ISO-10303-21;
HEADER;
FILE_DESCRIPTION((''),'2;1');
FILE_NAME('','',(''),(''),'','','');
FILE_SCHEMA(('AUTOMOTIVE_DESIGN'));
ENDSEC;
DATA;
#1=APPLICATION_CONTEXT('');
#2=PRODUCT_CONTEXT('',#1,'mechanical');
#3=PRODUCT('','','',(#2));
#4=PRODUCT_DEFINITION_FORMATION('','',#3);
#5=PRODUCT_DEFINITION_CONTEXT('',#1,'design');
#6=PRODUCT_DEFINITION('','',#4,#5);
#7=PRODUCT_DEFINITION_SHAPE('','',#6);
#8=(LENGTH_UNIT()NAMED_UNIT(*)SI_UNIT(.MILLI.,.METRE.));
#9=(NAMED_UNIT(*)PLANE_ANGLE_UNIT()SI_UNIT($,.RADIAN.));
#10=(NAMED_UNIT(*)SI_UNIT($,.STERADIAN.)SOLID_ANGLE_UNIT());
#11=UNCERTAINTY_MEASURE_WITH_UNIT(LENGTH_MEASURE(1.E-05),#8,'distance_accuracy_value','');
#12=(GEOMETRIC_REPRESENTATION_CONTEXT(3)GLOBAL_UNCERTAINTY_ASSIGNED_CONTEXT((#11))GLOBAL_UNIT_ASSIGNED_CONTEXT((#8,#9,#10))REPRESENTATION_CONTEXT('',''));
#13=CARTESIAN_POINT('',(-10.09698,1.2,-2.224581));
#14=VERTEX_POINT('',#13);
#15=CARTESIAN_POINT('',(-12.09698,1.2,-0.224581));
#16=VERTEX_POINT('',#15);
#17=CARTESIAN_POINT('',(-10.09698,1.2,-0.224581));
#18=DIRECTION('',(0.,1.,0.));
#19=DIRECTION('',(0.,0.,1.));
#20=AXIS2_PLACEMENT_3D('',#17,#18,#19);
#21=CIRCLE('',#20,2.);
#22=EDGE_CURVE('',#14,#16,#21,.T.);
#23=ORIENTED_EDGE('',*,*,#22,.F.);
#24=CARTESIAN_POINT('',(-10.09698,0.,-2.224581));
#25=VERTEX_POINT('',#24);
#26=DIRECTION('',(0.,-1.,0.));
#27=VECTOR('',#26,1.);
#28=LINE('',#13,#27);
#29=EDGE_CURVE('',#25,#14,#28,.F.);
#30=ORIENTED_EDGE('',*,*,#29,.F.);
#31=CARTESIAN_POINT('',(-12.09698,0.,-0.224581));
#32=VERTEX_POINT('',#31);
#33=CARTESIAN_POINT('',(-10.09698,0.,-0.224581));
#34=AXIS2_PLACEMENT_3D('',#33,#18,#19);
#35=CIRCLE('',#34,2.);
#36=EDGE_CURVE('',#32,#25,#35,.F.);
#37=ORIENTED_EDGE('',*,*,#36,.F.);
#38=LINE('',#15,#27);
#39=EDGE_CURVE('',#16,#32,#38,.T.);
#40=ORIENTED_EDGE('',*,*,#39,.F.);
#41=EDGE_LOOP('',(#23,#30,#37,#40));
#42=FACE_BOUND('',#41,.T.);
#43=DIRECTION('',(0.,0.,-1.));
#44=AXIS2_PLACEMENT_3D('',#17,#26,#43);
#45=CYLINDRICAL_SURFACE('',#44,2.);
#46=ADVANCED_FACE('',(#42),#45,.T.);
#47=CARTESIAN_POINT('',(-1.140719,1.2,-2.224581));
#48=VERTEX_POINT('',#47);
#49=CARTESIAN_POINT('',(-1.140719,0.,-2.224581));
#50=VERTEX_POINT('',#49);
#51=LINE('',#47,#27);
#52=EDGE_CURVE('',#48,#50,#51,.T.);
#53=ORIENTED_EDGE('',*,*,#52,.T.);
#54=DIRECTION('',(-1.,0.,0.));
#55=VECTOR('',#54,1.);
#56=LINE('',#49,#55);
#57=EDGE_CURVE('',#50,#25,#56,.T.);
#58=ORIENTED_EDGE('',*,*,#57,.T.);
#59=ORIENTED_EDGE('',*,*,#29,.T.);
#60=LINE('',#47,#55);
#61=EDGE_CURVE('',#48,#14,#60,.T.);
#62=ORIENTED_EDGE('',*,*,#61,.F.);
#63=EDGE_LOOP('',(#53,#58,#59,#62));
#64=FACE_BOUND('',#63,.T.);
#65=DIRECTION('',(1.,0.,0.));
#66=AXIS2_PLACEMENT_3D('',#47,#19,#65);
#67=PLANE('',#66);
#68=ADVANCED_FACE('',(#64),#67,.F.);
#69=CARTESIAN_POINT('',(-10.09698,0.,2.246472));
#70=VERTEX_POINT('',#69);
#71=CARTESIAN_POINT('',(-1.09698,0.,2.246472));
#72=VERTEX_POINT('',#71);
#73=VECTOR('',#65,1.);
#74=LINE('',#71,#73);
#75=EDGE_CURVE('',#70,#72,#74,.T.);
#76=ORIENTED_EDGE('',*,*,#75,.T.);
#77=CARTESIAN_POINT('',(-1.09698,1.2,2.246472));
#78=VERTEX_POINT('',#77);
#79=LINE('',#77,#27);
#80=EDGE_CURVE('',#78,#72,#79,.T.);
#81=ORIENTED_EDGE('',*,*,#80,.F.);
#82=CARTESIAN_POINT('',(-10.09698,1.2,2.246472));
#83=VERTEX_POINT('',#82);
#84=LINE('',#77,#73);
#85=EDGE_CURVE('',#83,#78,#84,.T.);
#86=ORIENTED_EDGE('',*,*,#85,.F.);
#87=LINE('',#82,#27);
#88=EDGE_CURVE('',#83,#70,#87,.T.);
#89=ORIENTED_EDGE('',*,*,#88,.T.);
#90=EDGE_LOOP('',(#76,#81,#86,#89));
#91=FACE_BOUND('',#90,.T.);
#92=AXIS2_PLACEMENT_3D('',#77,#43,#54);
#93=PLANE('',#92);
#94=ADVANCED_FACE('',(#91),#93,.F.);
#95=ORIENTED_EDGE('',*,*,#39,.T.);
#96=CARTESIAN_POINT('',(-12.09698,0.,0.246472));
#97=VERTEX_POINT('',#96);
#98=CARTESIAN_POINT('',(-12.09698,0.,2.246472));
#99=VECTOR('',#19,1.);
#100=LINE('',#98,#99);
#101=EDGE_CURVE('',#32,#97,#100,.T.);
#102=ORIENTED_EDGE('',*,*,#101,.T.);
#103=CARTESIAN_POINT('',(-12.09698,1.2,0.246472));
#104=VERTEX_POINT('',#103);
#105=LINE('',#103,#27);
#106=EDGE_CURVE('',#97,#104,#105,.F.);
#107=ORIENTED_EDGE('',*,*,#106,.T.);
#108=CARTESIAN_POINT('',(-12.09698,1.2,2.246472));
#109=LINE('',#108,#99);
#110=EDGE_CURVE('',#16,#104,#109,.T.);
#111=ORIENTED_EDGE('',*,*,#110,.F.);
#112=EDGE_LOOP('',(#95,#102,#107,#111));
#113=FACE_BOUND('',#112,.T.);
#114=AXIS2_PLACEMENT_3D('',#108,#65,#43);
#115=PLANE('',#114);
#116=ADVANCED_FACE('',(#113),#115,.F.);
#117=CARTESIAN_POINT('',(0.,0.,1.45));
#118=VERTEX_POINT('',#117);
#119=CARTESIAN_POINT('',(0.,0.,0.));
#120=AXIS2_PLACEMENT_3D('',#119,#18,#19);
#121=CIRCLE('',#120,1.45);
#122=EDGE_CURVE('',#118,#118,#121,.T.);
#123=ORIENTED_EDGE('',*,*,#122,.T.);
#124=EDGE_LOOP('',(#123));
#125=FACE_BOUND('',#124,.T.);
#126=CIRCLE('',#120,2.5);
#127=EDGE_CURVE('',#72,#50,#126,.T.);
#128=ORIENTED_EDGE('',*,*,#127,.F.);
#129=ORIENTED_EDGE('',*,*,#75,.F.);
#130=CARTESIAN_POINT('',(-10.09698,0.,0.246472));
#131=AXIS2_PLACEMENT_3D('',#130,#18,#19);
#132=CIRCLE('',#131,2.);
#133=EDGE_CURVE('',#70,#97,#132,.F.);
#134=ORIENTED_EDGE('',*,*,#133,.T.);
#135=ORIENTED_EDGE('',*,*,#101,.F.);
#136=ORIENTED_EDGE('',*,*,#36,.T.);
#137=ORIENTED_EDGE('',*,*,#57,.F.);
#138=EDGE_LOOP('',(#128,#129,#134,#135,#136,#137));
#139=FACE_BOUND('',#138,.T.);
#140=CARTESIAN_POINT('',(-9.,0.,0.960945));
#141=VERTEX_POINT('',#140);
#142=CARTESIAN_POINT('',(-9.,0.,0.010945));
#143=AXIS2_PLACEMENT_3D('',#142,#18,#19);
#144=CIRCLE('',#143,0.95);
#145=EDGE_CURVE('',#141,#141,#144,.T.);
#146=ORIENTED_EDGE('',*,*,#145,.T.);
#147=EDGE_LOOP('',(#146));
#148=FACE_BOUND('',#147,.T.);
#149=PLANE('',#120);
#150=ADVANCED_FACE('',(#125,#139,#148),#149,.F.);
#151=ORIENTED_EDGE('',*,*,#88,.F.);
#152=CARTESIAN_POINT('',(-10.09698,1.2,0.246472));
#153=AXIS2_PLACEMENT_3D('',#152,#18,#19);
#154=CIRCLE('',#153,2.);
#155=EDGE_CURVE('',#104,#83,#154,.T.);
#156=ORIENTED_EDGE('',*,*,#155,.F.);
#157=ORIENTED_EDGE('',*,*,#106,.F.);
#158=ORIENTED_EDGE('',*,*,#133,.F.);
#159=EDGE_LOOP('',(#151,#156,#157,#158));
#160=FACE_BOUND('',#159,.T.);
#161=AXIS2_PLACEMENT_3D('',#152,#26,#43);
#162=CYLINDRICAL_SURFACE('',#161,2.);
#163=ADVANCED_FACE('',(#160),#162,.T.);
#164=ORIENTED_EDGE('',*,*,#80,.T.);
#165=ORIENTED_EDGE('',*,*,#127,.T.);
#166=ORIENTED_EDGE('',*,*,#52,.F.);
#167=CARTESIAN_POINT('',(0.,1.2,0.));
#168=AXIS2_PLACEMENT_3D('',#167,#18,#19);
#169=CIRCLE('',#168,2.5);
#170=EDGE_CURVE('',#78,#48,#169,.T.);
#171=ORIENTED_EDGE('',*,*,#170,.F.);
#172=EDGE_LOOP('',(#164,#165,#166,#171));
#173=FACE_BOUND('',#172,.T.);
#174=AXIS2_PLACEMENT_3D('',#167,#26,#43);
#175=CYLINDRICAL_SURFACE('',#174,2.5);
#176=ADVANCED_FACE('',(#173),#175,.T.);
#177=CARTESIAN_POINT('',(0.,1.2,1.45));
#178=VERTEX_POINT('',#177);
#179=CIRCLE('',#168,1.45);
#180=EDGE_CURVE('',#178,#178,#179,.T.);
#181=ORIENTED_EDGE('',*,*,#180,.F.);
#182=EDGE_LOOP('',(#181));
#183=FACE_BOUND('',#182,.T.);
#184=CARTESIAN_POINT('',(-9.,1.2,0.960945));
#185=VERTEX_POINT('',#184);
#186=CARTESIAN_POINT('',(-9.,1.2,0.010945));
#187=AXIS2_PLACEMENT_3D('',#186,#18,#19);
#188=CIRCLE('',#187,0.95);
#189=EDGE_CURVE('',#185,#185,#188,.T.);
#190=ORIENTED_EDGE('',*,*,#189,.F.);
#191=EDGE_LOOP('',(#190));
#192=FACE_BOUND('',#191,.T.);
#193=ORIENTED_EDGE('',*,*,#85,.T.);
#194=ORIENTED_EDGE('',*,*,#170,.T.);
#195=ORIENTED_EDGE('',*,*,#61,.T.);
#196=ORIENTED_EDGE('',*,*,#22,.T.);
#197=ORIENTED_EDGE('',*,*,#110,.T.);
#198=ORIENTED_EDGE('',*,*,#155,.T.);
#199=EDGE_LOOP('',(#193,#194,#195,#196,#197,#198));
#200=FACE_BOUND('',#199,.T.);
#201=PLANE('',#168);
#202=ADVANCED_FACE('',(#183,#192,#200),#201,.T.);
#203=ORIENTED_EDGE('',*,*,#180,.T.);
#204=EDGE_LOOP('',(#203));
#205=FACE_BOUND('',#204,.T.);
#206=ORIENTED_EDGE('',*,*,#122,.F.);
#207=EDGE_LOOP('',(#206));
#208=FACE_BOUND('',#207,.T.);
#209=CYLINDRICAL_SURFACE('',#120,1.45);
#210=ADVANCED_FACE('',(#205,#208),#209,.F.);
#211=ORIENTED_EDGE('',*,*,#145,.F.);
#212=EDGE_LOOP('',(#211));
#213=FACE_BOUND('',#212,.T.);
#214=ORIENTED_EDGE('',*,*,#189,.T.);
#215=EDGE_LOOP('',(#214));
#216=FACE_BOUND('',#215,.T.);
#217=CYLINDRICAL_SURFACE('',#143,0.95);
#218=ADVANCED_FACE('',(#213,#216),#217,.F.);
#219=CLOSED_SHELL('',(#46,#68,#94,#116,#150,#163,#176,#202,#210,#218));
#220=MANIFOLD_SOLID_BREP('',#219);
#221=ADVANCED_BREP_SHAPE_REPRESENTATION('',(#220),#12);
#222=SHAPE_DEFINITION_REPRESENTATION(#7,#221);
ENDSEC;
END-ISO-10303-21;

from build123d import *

# Parameters (mm, degrees)
EXTRUDE_1_DEPTH     = 1.2
SKETCH_2_R          = 1.45
CUT_EXTRUDE_1_DEPTH = 13.410758407
FILLET_1_R          = 2
SKETCH_3_R          = 0.95
CUT_EXTRUDE_2_DEPTH = 13.410758407


with BuildPart() as part:
    # 草图1 → 凸台-拉伸1 (new body)
    with BuildSketch(Plane(origin=(0, 0, 0), x_dir=(1, 0, 0), z_dir=(0, 1, 0))):
        with BuildLine():
            Line((-1.096979963, -2.246471669), (-12.096979963, -2.246471669))
            Line((-12.096979963, -2.246471669), (-12.096979963, 2.224581144))
            Line((-12.096979963, 2.224581144), (-1.140718517, 2.224581144))
            ThreePointArc((-1.140718517, 2.224581144), (2.499880384, 0.024455348), (-1.096979963, -2.246471669))
        make_face()
    extrude(amount=EXTRUDE_1_DEPTH)

    # 草图2 → 切除-拉伸1 (cut, through all)
    with BuildSketch(Plane(origin=(0, 1.2, 0), x_dir=(1, 0, 0), z_dir=(0, 1, 0))):
        with Locations(Location((0, 0, 0), (0, 0, 270))):
            Circle(SKETCH_2_R)
    extrude(amount=-CUT_EXTRUDE_1_DEPTH, mode=Mode.SUBTRACT)

    # 圆角1
    fillet_1_edges = [part.edges().sort_by_distance(p)[0] for p in [
        (-12.096979963, 0.6, 2.246471669),
        (-12.096979963, 0.6, -2.224581144),
    ]]
    fillet(fillet_1_edges, radius=FILLET_1_R)

    # 草图3 → 切除-拉伸2 (cut, through all)
    with BuildSketch(Plane(origin=(0, 1.2, 0), x_dir=(1, 0, 0), z_dir=(0, 1, 0))):
        with Locations(Location((-9, -0.010945263, 0), (0, 0, 270))):
            Circle(SKETCH_3_R)
    extrude(amount=-CUT_EXTRUDE_2_DEPTH, mode=Mode.SUBTRACT)


solid = part.part
